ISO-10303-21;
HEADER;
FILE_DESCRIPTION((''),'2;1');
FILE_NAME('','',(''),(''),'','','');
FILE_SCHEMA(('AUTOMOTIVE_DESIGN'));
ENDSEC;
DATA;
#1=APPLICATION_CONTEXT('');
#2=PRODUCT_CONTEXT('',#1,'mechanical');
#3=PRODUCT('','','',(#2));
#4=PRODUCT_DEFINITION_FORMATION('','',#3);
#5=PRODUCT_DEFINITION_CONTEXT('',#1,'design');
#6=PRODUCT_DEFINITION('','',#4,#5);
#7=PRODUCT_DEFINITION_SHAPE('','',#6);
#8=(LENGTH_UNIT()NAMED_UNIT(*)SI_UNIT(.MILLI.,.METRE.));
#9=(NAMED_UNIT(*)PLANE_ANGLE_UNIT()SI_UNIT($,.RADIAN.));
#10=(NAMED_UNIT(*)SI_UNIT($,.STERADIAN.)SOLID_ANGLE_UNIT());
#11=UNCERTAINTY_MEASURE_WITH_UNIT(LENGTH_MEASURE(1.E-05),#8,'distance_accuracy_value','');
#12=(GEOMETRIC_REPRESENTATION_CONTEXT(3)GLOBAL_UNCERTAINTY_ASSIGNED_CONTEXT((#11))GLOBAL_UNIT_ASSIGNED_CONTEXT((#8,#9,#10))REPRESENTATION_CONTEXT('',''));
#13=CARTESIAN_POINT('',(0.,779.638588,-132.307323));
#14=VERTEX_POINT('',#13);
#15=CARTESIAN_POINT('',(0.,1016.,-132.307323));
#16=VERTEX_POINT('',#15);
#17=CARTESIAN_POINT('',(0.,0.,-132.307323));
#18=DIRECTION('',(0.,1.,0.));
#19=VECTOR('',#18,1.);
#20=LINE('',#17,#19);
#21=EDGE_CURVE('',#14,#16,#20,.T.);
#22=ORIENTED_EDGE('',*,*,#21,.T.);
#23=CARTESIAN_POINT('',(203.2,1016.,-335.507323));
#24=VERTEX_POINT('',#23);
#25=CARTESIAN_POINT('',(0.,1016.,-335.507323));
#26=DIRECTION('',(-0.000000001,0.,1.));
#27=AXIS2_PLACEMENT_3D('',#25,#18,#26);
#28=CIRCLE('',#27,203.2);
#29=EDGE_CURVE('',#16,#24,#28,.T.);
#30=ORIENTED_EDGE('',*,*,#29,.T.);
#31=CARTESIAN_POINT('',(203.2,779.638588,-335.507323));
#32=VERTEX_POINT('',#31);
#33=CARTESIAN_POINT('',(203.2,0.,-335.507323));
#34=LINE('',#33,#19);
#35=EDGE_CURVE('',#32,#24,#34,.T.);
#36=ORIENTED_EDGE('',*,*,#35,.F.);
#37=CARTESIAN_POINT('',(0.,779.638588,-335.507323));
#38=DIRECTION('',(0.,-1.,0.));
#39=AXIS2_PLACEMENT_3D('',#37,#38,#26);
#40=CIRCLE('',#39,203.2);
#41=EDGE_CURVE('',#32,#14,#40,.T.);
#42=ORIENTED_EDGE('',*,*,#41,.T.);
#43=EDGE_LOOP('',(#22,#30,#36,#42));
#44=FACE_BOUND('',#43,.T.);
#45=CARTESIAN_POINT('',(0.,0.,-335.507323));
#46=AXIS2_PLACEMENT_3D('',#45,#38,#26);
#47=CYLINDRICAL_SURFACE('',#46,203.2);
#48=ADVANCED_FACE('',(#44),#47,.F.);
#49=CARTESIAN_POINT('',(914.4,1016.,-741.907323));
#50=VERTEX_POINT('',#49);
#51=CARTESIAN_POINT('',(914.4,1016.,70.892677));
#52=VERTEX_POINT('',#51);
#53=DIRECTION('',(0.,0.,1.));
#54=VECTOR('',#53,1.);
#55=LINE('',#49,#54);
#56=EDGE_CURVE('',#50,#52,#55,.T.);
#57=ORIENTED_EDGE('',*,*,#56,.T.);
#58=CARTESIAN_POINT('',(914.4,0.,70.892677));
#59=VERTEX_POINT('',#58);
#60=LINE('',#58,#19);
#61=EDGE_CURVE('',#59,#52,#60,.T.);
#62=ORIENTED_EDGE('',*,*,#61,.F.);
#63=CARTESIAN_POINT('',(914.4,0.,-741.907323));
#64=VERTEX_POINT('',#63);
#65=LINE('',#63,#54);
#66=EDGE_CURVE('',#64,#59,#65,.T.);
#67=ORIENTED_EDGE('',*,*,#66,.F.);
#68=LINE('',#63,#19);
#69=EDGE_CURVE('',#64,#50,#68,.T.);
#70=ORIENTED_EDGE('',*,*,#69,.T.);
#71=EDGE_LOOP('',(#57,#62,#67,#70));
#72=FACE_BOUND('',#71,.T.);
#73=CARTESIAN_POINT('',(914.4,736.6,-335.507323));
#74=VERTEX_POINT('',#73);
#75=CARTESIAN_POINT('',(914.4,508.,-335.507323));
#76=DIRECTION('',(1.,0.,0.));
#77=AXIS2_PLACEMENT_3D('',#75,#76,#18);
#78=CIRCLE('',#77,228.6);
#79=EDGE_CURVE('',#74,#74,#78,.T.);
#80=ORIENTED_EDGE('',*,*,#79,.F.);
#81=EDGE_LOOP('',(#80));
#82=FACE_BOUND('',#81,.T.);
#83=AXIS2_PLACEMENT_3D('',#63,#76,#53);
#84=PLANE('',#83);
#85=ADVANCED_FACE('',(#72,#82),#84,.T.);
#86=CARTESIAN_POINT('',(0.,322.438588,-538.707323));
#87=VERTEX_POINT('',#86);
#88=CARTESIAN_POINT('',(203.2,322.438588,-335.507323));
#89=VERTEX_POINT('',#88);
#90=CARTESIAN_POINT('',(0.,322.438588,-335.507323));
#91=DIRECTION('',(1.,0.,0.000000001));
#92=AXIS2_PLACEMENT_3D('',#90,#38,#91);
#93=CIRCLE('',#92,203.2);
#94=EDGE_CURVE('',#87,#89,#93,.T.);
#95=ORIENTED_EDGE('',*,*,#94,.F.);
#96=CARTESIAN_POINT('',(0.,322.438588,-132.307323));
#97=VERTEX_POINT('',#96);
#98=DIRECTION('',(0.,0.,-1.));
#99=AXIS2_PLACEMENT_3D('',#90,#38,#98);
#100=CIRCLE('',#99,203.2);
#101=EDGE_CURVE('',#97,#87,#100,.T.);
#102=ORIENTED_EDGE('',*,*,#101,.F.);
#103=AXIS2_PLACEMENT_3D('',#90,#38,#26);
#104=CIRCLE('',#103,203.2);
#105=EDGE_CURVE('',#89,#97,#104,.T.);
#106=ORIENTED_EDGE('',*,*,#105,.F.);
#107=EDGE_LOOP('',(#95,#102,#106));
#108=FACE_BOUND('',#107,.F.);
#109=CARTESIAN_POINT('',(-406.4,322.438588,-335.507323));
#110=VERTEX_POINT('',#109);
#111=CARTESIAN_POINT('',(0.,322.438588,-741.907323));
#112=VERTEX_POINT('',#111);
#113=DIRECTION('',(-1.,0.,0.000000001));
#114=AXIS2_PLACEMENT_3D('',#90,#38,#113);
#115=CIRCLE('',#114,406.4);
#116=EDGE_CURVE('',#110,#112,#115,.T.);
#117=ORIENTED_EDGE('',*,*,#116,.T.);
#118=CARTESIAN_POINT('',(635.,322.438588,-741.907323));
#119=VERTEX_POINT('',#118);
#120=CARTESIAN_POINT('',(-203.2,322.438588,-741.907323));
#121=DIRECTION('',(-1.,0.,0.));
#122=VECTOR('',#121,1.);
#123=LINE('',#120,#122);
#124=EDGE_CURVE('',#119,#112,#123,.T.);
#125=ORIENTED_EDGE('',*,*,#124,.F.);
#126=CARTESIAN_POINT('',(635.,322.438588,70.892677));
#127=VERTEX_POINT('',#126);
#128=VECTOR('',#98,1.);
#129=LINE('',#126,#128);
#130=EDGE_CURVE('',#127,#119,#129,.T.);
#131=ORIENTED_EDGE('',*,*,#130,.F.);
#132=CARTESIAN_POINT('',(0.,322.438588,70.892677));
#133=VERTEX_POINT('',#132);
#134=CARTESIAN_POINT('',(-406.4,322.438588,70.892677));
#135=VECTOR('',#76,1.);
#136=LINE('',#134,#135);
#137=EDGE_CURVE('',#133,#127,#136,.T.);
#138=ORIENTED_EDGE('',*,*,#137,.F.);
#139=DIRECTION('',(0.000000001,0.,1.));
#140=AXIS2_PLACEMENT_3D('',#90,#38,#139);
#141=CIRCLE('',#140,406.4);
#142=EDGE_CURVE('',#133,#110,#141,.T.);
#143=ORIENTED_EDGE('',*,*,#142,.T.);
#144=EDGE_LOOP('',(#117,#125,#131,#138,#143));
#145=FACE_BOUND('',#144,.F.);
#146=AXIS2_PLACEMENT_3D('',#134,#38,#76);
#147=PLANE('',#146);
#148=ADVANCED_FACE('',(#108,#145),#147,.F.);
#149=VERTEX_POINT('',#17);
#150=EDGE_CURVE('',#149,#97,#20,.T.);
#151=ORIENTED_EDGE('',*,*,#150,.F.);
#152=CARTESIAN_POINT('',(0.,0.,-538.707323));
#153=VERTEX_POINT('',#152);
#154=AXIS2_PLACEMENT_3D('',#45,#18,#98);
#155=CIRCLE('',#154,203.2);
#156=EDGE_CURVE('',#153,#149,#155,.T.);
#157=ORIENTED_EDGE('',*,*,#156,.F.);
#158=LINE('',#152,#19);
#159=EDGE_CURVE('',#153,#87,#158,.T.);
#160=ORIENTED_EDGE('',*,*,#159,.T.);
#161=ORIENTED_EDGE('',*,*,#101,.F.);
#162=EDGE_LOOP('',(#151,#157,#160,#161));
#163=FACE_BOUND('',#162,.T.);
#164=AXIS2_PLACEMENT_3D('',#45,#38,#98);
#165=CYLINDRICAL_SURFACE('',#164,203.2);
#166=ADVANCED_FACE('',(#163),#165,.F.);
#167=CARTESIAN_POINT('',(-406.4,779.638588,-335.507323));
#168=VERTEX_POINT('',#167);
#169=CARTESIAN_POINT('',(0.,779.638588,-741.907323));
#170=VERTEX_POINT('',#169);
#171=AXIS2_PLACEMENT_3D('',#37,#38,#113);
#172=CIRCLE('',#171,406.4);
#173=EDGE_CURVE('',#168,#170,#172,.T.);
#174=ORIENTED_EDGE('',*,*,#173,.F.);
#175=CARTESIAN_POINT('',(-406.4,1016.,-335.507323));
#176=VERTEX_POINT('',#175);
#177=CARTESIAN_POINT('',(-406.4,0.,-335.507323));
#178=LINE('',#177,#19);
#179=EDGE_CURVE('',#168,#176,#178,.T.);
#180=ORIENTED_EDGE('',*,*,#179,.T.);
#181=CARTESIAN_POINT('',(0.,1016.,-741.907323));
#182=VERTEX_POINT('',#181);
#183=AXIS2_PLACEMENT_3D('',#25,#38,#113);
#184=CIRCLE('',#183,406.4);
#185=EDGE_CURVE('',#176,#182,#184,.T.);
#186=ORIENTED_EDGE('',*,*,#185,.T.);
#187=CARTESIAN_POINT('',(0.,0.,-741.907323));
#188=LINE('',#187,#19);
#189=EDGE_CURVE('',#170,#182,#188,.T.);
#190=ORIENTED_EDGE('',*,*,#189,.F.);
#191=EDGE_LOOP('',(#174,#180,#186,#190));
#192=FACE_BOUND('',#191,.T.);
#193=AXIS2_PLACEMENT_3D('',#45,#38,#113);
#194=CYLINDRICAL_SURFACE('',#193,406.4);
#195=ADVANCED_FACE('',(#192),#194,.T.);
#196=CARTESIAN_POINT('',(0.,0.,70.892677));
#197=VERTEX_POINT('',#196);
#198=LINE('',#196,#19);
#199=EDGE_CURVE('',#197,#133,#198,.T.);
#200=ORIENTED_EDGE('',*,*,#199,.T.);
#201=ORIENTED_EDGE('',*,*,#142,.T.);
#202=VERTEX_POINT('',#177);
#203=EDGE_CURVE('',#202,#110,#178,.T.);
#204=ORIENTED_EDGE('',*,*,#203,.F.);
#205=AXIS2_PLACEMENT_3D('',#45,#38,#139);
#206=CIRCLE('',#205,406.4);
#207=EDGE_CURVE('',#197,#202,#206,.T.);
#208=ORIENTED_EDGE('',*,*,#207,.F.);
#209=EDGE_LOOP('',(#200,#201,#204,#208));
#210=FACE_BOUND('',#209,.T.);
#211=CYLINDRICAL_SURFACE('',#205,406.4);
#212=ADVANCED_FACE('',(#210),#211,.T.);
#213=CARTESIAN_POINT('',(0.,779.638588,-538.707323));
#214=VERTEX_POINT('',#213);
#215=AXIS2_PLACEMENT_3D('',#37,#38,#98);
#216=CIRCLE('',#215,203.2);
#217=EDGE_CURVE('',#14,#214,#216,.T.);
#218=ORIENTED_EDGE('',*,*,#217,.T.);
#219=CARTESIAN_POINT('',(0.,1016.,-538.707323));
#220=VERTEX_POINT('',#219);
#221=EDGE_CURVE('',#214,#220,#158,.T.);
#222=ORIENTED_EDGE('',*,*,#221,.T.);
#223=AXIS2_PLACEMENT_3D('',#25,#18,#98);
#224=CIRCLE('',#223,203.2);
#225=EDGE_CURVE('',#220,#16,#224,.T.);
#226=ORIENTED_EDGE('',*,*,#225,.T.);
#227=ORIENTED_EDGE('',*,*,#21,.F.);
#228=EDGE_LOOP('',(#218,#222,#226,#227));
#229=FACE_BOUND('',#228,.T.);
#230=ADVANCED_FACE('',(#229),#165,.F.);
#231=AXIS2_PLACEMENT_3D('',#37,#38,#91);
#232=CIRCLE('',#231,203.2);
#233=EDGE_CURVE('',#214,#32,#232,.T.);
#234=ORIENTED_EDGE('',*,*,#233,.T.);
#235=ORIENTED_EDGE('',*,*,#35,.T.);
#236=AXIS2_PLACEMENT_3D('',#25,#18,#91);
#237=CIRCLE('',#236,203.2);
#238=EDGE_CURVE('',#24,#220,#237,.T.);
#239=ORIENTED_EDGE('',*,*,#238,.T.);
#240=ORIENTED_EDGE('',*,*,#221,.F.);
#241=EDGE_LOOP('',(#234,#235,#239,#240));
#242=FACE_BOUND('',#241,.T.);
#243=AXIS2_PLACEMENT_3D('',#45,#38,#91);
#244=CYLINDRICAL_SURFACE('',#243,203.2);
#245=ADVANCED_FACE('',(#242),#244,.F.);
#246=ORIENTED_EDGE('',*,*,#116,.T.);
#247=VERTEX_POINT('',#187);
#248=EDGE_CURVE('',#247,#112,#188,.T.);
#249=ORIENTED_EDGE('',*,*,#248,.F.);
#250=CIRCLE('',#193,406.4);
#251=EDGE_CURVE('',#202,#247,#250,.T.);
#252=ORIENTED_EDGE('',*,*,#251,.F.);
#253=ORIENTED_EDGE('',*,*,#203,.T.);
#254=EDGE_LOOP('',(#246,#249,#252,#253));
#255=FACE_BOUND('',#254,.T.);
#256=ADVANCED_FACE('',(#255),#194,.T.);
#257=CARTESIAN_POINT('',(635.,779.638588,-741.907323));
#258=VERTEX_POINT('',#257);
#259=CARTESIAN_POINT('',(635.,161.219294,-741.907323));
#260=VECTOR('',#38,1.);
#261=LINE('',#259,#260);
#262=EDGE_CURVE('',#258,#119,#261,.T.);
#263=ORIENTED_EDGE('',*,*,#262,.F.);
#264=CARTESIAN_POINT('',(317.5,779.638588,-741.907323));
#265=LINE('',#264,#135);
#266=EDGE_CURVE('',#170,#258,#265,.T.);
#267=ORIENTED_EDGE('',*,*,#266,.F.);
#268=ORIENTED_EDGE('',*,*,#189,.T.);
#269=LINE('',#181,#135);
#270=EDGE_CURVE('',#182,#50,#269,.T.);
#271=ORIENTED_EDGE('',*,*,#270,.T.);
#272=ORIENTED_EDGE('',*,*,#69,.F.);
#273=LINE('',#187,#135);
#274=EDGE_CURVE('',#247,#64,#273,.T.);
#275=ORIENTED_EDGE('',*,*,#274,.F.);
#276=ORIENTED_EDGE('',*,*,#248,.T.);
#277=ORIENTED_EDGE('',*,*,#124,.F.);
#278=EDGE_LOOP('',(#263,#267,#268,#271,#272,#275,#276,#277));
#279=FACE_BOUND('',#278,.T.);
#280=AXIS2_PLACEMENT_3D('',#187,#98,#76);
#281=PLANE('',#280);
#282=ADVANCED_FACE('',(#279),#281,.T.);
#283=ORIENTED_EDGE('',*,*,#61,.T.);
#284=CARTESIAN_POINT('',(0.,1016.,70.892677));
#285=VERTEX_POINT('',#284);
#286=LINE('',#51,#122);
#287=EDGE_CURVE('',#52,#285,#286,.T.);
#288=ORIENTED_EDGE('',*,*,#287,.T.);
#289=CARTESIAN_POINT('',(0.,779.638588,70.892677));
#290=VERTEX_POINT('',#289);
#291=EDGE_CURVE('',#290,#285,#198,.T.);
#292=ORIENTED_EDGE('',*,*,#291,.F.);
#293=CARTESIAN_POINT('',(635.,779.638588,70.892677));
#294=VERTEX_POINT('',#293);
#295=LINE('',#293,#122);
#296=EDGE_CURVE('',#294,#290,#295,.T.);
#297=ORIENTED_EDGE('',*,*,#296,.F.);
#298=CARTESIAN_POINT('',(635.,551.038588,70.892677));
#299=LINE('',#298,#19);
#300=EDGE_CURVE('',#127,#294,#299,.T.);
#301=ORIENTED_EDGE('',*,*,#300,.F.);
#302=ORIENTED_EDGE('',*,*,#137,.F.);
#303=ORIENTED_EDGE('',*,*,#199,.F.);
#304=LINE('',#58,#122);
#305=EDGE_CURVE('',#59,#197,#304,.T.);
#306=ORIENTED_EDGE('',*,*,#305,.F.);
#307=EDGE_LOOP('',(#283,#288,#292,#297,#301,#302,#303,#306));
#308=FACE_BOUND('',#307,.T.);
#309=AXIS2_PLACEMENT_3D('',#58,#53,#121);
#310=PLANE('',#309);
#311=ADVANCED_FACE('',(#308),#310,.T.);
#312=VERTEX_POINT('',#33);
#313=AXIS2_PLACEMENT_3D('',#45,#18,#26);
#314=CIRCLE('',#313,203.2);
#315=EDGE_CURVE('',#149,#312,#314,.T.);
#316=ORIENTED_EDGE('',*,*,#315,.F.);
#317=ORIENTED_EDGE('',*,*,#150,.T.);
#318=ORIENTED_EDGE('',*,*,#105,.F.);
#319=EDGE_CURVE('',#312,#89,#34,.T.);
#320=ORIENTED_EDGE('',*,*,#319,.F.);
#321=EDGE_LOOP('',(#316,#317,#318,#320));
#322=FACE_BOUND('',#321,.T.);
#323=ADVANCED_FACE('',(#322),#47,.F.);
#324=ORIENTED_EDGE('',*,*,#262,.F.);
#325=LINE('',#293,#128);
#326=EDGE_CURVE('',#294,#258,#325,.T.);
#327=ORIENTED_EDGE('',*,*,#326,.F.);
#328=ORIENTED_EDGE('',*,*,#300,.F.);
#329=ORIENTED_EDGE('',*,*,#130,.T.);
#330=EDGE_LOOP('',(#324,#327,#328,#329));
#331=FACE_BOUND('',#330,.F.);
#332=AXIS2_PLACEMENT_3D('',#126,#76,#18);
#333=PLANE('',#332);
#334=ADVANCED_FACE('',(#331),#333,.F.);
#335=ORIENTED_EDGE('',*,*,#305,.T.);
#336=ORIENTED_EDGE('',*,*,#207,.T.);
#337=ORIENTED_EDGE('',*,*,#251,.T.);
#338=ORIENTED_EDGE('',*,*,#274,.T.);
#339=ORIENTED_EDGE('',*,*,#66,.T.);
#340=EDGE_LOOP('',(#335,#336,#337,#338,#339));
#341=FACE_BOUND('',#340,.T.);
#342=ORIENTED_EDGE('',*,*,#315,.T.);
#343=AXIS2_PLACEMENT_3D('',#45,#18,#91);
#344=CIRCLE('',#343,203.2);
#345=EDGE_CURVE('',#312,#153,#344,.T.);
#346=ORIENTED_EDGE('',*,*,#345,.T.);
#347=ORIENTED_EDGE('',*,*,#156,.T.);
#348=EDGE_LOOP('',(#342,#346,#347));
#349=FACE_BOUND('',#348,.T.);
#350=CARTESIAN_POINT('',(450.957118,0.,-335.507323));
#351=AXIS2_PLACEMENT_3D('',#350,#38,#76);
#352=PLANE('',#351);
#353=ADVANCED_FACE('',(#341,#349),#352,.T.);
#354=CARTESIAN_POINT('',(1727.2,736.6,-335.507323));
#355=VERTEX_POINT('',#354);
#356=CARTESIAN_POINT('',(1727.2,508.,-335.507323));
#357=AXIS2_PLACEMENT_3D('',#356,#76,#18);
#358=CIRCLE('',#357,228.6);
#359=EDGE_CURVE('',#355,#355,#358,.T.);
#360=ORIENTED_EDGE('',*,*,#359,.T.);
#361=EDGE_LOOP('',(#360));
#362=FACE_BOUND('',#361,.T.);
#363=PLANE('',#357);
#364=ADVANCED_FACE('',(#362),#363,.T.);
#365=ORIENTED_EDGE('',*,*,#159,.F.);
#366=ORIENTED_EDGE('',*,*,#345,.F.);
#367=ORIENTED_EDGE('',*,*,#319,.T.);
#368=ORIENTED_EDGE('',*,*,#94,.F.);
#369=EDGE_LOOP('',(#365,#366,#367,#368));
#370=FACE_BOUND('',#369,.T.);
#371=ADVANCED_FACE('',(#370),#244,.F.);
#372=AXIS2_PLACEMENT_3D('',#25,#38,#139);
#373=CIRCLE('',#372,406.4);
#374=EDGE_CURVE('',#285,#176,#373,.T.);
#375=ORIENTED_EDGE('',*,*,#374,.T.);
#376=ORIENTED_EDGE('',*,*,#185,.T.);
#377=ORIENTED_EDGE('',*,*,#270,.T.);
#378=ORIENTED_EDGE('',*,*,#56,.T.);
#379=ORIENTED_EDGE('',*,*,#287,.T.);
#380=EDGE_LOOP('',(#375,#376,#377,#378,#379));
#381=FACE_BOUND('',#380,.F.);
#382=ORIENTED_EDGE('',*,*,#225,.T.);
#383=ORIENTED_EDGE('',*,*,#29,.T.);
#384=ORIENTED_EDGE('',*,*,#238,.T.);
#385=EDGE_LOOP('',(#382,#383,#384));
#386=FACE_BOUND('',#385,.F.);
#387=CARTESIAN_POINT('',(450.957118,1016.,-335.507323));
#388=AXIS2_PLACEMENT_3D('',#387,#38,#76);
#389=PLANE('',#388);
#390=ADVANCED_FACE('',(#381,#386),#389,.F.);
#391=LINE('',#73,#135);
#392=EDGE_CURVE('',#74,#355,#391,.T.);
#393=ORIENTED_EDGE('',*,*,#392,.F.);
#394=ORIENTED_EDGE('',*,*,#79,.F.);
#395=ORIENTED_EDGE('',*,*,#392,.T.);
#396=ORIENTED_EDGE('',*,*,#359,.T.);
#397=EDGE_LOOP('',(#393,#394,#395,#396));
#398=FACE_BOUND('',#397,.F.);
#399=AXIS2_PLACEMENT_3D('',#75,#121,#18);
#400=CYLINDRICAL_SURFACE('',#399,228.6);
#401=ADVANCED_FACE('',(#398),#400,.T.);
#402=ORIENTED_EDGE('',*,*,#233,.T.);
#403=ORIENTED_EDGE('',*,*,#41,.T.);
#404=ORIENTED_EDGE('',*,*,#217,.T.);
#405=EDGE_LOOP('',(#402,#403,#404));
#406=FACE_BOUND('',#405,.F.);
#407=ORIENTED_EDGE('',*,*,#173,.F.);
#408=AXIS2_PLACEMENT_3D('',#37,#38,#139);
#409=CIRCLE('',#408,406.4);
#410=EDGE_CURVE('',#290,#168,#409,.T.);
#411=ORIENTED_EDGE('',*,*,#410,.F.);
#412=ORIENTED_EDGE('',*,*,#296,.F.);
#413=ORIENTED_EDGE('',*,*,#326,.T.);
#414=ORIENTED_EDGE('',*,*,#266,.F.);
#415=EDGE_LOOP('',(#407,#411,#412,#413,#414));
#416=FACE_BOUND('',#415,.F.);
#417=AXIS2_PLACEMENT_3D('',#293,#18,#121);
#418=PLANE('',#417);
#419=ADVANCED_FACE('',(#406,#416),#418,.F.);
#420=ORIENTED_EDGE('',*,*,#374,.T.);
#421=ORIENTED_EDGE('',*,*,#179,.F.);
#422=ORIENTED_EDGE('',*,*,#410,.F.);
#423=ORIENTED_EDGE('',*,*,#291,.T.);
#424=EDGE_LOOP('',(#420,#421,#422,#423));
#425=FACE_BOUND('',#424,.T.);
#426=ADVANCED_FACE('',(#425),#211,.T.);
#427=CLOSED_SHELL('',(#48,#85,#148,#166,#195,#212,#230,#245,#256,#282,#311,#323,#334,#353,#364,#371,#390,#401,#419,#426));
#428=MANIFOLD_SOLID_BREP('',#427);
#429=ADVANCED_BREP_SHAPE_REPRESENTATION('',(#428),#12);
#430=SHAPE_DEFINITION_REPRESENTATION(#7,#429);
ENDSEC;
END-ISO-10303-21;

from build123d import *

# Parameters (mm, degrees)
F1_DEPTH = 1016
F2_W     = 406.4
F2_H     = 457.2
F2_W_2   = 635
F3_DEPTH = 812.801
F4_R     = 228.6
F5_DEPTH = 812.8


with BuildPart() as f1:
    # F0 (on Front) → F1 (new body)
    with BuildSketch(Plane.XZ):
        with BuildLine():
            Line((914.4, 70.892677), (0, 70.892677))
            Line((0, 70.892677), (0, -132.307323))
            ThreePointArc((0, -132.307323), (143.684098, -191.823225), (203.2, -335.507323))
            ThreePointArc((203.2, -335.507323), (143.684098, -479.191421), (0, -538.707323))
            Line((0, -538.707323), (0, -741.907323))
            Line((0, -741.907323), (914.4, -741.907323))
            Line((914.4, -741.907323), (914.4, 70.892677))
        make_face()
        with BuildLine():
            Line((0, -132.307323), (0, 70.892677))
            ThreePointArc((0, 70.892677), (-287.368196, -48.139127), (-406.4, -335.507323))
            ThreePointArc((-406.4, -335.507323), (-287.368196, -622.875519), (0, -741.907323))
            Line((0, -741.907323), (0, -538.707323))
            ThreePointArc((0, -538.707323), (-203.2, -335.507323), (0, -132.307323))
        make_face()
    extrude(amount=-F1_DEPTH)

    # F2 (on face) → F3 (cut, through all)
    with BuildSketch(Plane.XY.offset(70.892677)):
        with Locations((-203.2, 551.038588)):
            Rectangle(F2_W, F2_H)
        with Locations((317.5, 551.038588)):
            Rectangle(F2_W_2, F2_H)
    extrude(amount=-F3_DEPTH, mode=Mode.SUBTRACT)

    # F4 (on face) → F5 (join)
    with BuildSketch(Plane.YZ.offset(914.4)):
        with Locations((508, -335.507323)):
            Circle(F4_R)
    extrude(amount=F5_DEPTH)


solid = f1.part
